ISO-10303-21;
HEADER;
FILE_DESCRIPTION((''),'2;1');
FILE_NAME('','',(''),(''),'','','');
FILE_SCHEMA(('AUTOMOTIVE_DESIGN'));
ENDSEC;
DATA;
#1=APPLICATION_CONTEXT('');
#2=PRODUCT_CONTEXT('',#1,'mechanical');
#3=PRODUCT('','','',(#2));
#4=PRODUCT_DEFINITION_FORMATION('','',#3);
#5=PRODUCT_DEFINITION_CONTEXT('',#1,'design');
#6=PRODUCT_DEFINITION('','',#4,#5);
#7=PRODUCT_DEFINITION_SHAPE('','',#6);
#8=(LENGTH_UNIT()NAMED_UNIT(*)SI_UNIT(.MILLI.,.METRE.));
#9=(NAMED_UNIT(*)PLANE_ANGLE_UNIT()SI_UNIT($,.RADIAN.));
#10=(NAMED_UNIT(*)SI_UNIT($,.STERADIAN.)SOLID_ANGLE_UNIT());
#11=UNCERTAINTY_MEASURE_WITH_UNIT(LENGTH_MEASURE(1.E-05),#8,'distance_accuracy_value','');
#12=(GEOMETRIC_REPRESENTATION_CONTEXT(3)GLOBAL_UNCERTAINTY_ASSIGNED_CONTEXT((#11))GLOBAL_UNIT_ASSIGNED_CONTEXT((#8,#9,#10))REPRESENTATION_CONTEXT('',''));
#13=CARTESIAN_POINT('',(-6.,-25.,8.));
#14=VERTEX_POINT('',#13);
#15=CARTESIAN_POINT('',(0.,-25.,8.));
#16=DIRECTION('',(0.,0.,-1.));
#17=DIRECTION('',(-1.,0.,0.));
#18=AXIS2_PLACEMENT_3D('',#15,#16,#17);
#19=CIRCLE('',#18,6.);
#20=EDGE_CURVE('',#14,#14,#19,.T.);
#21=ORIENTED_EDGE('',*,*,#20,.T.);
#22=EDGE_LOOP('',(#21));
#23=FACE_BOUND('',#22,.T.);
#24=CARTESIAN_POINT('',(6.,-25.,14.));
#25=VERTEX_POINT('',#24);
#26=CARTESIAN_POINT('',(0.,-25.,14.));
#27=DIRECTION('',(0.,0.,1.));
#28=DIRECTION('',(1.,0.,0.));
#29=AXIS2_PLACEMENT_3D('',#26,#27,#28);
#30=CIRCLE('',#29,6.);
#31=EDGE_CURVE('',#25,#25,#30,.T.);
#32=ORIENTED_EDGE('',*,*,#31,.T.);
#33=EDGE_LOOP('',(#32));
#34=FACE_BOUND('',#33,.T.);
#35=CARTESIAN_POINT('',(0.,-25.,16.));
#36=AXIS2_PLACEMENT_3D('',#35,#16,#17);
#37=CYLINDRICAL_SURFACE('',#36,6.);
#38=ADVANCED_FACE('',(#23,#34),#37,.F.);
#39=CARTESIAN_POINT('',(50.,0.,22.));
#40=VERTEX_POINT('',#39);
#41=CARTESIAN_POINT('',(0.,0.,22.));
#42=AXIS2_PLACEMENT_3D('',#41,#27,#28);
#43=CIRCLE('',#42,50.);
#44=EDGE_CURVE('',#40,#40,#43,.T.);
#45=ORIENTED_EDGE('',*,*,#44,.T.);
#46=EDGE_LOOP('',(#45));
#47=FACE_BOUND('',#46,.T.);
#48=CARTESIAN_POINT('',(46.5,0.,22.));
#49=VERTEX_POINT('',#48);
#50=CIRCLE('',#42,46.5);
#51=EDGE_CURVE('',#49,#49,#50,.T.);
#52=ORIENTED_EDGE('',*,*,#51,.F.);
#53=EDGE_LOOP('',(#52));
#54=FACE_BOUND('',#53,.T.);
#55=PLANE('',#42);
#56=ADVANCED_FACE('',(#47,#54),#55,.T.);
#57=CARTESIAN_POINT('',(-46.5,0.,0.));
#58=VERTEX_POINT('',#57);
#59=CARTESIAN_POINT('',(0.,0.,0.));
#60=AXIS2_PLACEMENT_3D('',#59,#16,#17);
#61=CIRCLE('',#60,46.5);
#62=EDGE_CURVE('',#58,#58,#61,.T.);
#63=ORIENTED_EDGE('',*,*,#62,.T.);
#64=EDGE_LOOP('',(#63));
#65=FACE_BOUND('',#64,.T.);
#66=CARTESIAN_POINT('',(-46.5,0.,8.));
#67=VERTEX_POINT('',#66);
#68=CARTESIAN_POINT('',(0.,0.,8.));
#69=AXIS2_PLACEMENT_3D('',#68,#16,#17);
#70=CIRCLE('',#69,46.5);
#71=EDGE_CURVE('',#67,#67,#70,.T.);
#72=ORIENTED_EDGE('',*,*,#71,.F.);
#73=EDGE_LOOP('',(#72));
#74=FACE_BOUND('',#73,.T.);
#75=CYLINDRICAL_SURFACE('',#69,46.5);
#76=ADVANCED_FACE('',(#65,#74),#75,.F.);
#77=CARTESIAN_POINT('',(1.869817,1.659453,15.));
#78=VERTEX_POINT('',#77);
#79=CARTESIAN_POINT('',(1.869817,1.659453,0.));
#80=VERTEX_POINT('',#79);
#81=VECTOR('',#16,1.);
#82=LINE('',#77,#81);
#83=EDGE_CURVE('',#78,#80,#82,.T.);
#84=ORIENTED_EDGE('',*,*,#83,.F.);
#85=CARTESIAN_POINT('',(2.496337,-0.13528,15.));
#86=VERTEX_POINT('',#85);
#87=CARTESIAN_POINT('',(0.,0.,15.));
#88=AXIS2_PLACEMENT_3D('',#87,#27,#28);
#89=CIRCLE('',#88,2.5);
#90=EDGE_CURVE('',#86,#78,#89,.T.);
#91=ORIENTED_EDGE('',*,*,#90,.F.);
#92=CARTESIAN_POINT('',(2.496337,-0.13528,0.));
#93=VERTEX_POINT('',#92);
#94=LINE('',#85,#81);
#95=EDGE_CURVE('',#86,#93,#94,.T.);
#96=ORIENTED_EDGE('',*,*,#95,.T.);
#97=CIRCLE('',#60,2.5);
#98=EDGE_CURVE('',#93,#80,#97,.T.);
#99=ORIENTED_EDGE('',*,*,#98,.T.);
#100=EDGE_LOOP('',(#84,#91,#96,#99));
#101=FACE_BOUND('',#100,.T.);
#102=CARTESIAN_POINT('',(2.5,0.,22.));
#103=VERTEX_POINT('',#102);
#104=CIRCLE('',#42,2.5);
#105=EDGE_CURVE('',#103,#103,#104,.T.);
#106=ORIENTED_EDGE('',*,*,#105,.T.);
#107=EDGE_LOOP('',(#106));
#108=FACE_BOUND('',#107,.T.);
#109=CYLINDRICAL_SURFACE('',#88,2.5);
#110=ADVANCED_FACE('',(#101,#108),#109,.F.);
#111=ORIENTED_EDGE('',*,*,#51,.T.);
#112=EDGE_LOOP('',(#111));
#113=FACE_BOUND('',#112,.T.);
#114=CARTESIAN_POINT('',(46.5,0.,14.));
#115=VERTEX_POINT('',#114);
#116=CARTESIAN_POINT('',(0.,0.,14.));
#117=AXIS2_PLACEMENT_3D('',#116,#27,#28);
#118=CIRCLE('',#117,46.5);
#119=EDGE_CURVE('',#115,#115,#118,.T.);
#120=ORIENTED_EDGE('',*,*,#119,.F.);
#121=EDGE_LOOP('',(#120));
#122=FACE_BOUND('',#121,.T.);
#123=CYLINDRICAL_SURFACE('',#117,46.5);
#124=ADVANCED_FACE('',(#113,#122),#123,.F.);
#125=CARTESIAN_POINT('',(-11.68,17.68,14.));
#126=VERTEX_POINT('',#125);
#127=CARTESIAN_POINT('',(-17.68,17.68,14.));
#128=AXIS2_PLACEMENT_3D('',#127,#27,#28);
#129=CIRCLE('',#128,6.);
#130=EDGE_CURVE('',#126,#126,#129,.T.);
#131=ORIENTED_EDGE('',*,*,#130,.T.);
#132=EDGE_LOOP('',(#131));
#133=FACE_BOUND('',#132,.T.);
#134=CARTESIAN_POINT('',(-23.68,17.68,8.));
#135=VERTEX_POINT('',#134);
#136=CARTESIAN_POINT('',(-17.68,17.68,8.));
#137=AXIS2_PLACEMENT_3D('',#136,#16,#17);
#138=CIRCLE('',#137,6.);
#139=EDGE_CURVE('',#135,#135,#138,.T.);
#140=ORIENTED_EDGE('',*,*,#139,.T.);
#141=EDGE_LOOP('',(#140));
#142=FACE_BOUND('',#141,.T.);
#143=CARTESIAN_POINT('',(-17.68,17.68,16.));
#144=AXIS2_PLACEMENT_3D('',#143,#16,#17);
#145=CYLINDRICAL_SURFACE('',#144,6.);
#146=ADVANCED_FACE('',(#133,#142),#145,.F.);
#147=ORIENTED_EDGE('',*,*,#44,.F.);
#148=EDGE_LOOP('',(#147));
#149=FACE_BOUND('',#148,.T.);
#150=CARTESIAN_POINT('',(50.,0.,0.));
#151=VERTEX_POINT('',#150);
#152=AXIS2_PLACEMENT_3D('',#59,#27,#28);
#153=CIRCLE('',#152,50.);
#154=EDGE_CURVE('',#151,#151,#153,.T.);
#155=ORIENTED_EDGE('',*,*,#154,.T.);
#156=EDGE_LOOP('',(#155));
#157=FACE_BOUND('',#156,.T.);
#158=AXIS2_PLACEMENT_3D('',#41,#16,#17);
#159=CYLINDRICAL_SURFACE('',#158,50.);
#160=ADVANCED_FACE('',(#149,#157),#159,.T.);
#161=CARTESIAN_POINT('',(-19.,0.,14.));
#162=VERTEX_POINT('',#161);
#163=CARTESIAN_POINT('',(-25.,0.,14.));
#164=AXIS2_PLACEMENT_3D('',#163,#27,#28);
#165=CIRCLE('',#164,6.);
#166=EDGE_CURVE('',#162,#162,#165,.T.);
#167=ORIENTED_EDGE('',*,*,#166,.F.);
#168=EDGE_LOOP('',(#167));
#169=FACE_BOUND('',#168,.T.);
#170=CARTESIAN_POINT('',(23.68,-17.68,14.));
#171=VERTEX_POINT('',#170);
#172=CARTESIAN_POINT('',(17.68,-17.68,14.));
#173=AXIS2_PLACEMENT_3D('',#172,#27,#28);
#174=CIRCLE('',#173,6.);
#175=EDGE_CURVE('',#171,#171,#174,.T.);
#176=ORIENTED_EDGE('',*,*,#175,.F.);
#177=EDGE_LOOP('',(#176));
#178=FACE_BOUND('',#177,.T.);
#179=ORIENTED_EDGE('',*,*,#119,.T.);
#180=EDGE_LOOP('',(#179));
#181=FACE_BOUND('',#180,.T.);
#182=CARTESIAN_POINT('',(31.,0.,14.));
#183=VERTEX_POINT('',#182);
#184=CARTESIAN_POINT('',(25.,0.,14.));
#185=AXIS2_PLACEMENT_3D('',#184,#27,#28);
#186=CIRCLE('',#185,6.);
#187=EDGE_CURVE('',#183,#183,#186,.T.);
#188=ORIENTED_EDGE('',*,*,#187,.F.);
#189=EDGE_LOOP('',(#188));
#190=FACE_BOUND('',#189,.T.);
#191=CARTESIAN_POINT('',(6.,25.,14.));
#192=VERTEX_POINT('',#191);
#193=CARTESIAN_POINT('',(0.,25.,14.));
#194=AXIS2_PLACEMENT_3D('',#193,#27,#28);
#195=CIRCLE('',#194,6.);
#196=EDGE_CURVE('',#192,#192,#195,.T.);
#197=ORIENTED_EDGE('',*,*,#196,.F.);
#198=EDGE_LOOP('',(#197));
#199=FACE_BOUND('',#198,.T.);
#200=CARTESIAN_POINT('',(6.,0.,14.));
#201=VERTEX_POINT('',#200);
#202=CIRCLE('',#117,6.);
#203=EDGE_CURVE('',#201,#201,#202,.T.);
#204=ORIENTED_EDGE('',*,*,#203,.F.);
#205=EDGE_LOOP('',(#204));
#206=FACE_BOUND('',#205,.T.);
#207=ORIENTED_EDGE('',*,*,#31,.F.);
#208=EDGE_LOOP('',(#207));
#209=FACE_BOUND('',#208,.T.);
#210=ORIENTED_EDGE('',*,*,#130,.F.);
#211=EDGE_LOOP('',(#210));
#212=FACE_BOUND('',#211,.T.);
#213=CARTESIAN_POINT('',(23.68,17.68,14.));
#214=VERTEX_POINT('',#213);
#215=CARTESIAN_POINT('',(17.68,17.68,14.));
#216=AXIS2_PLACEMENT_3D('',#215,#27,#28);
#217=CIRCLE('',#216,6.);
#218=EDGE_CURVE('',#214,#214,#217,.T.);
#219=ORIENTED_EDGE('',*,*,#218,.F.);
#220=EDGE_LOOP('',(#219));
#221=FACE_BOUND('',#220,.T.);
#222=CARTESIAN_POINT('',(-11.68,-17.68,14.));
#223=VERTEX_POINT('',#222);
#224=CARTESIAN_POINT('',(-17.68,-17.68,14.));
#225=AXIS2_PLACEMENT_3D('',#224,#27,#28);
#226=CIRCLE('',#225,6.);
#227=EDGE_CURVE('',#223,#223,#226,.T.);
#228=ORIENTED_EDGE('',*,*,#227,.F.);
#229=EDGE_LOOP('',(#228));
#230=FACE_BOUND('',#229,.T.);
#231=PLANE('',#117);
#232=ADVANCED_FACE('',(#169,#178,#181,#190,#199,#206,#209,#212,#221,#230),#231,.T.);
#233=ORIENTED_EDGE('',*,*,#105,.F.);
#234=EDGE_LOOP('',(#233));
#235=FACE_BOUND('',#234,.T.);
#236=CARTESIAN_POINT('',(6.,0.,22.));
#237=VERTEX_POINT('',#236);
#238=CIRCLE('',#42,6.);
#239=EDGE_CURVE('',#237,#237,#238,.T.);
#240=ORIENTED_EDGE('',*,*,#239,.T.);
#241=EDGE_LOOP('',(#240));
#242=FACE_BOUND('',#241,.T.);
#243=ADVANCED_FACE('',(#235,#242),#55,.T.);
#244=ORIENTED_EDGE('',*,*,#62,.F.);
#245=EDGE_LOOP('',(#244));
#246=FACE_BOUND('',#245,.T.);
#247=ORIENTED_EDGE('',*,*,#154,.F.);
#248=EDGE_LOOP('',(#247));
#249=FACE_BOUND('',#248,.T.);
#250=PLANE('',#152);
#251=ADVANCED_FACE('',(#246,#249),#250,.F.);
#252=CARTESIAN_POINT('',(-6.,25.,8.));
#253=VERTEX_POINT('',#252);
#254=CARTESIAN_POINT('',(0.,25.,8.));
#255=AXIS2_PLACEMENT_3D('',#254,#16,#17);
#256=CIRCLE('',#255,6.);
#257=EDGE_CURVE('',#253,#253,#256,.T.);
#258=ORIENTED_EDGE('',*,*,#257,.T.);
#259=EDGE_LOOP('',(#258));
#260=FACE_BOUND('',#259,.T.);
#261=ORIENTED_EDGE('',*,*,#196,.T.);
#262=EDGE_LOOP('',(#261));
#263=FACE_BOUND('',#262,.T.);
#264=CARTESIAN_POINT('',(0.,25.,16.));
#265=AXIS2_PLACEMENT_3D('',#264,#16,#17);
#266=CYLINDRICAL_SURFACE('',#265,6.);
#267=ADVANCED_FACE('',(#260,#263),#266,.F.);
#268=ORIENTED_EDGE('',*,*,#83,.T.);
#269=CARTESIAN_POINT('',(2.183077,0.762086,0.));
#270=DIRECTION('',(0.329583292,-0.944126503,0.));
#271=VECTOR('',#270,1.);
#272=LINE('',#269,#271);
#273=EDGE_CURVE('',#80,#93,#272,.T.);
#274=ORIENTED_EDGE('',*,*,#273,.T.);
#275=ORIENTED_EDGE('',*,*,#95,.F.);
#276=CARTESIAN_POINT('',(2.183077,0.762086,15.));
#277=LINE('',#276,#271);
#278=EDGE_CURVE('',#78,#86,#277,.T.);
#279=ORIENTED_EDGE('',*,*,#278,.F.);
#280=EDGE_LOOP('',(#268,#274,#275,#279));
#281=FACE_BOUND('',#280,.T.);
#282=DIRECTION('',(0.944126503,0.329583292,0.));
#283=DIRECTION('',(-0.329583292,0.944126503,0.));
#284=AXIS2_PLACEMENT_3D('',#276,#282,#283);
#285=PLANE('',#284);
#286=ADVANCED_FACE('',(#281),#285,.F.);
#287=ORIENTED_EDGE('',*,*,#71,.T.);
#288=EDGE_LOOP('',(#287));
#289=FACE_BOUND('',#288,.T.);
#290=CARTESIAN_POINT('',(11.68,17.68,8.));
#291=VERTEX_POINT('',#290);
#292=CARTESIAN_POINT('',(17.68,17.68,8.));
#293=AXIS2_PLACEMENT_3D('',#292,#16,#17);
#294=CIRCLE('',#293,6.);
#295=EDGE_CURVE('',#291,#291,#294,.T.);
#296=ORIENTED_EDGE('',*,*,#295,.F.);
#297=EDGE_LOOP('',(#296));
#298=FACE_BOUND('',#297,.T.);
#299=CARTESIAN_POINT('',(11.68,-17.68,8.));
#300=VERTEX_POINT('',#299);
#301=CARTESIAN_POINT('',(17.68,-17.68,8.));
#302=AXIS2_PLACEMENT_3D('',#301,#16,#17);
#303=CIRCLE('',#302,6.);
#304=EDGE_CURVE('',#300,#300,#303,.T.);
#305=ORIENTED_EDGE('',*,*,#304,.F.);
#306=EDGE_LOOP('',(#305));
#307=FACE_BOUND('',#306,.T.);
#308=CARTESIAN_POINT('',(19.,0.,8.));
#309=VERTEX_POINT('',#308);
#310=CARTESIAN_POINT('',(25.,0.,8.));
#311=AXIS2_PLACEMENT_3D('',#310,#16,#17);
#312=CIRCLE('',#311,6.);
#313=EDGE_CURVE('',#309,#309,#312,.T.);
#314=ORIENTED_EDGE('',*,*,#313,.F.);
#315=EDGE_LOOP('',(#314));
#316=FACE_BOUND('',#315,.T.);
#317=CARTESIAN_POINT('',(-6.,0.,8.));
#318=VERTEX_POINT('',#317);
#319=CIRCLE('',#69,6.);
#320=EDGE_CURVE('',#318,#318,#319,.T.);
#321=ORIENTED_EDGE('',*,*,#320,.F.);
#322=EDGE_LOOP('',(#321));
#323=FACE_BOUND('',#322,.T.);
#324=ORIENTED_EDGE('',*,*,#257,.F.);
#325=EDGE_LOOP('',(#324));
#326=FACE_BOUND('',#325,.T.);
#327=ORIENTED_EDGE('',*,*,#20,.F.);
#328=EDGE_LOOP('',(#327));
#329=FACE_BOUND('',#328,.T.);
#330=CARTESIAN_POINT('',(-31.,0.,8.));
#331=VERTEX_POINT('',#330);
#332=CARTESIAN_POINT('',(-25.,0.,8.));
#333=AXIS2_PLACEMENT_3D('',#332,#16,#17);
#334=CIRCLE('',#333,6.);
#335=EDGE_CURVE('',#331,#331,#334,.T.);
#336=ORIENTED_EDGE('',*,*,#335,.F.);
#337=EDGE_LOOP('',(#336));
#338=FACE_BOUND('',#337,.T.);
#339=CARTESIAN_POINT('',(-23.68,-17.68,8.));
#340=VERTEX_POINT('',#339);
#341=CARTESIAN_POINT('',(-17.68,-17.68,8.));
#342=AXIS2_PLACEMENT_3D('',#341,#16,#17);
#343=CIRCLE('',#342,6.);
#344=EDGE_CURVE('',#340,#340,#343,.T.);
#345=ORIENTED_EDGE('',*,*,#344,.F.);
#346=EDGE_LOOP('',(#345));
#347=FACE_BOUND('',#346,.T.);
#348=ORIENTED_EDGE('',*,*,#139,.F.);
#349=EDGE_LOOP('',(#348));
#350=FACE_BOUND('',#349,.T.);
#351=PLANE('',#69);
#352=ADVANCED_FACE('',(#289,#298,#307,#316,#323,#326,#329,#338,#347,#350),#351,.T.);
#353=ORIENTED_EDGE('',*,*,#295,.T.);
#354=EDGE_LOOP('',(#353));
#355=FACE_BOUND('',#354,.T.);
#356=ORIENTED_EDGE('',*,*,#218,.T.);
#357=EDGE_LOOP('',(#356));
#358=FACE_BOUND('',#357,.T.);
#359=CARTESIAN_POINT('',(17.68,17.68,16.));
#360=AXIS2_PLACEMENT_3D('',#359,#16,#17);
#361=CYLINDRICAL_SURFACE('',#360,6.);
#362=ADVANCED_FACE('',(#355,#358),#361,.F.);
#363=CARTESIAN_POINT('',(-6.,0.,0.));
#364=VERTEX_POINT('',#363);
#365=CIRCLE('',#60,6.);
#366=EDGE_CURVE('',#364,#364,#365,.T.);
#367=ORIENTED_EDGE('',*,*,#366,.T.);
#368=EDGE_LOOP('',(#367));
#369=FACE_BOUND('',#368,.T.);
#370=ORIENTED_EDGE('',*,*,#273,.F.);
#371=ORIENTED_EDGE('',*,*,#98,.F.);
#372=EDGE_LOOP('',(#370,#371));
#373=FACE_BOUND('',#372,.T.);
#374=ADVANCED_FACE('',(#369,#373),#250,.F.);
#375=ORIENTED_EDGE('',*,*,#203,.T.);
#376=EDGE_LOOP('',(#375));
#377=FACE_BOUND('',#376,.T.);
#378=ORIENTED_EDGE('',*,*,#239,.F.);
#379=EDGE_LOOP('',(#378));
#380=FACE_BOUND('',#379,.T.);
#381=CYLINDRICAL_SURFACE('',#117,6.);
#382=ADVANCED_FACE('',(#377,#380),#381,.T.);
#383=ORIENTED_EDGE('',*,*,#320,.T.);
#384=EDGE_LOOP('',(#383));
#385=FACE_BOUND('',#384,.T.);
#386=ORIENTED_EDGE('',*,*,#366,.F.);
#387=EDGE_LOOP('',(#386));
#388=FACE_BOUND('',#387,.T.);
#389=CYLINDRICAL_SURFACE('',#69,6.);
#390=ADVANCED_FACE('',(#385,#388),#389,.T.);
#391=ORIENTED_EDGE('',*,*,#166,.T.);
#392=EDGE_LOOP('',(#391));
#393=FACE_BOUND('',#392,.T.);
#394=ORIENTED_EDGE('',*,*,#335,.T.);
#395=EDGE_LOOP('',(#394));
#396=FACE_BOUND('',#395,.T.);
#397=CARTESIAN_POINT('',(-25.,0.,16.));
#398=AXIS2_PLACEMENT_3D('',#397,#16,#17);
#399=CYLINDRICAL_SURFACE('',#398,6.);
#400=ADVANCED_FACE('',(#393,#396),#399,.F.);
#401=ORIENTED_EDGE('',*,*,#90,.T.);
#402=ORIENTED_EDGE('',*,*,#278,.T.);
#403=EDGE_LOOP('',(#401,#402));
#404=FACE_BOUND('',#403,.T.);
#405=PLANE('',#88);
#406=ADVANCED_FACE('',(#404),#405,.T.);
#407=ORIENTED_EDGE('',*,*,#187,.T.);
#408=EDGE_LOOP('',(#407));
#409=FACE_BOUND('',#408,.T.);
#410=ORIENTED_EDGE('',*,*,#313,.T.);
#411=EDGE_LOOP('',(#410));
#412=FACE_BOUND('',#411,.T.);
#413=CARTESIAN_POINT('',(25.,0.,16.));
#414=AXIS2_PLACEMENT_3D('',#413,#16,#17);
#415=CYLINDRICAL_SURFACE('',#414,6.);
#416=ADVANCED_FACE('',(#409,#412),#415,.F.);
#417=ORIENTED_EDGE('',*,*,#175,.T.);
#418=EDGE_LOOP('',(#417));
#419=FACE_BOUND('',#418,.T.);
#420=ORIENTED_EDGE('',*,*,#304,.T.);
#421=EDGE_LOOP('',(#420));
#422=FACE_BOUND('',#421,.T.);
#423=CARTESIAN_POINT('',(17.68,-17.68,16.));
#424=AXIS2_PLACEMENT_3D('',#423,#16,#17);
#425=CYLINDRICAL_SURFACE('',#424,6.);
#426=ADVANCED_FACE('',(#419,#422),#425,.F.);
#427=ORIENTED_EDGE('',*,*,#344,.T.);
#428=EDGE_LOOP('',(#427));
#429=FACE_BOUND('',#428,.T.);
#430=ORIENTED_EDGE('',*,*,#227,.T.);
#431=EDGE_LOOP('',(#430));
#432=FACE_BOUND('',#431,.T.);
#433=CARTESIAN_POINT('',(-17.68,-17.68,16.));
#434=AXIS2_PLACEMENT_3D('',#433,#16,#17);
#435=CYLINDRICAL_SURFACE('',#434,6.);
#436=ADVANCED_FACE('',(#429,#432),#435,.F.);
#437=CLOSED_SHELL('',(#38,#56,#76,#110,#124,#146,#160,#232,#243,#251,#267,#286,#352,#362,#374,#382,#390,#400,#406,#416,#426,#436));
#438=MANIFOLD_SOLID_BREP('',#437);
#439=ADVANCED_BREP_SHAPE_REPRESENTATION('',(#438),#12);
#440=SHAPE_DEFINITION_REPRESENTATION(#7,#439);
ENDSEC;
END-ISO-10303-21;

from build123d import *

# Parameters (mm, degrees)
ESQUISSE1_R              = 50
BOSS_EXTRU_1_DEPTH       = 22
ESQUISSE2_R              = 2.5
ENL_V_MAT_EXTRU_1_DEPTH  = 7
ENL_V_START              = -15
ENL_V_MAT_EXTRU_2_DEPTH  = 15
ESQUISSE5_R              = 46.5
ESQUISSE5_R_2            = 6
ENL_V_MAT_EXTRU_3_DEPTH  = 8
ENL_V_START_2            = -8
ESQUISSE7_R              = 46.5
ESQUISSE7_R_2            = 6
ENL_V_MAT_EXTRU_4_DEPTH  = 8
ESQUISSE8_R              = 6
ENL_V_MAT_EXTRU_5_DEPTH  = 8
ESQUISSE9_R              = 6
ENL_V_MAT_EXTRU_6_DEPTH  = 8
ESQUISSE10_R             = 6
ENL_V_MAT_EXTRU_7_DEPTH  = 8
ESQUISSE11_R             = 6
ENL_V_MAT_EXTRU_8_DEPTH  = 8
ESQUISSE12_R             = 6
ENL_V_MAT_EXTRU_10_DEPTH = 8
ESQUISSE13_R             = 6
ENL_V_MAT_EXTRU_11_DEPTH = 8
ESQUISSE14_R             = 6
ENL_V_MAT_EXTRU_12_DEPTH = 8
ESQUISSE15_R             = 6
ENL_V_MAT_EXTRU_13_DEPTH = 8


with BuildPart() as part:
    # Esquisse1 → Boss.-Extru.1 (new body)
    with BuildSketch(Plane.XY):
        Circle(ESQUISSE1_R)
    extrude(amount=BOSS_EXTRU_1_DEPTH)

    # Esquisse2 → Enlèv. mat.-Extru.1 (cut)
    with BuildSketch(Plane.XY.offset(22)):
        Circle(ESQUISSE2_R)
    extrude(amount=-ENL_V_MAT_EXTRU_1_DEPTH, mode=Mode.SUBTRACT)

    # Esquisse4 → Enlèv. mat.-Extru.2 (cut)
    with BuildSketch(Plane(origin=(0, 0, 0), x_dir=(-1, 0, 0), z_dir=(0, 0, -1)).offset(ENL_V_START)):
        with BuildLine():
            ThreePointArc((2.5, 0), (0.887540635, 2.337150321), (-1.869817297, 1.659452704))
            Line((-1.869817297, 1.659452704), (-2.496337165, -0.135280301))
            ThreePointArc((-2.496337165, -0.135280301), (0.06766494, -2.499084123), (2.5, 0))
        make_face()
    extrude(amount=ENL_V_MAT_EXTRU_2_DEPTH, mode=Mode.SUBTRACT)

    # Esquisse5 → Enlèv. mat.-Extru.3 (cut)
    with BuildSketch(Plane(origin=(0, 0, 0), x_dir=(-1, 0, 0), z_dir=(0, 0, -1))):
        Circle(ESQUISSE5_R)
        Circle(ESQUISSE5_R_2, mode=Mode.SUBTRACT)
    extrude(amount=-ENL_V_MAT_EXTRU_3_DEPTH, mode=Mode.SUBTRACT)

    # Esquisse7 → Enlèv. mat.-Extru.4 (cut)
    with BuildSketch(Plane.XY.offset(22).offset(ENL_V_START_2)):
        with Locations(Location((0, 0, 0), (0, 0, 180))):
            Circle(ESQUISSE7_R)
        with Locations(Location((0, 0, 0), (0, 0, 180))):
            Circle(ESQUISSE7_R_2, mode=Mode.SUBTRACT)
    extrude(amount=ENL_V_MAT_EXTRU_4_DEPTH, mode=Mode.SUBTRACT)

    # Esquisse8 → Enlèv. mat.-Extru.5 (cut)
    with BuildSketch(Plane(origin=(0, 0, 8), x_dir=(-1, 0, 0), z_dir=(0, 0, -1))):
        with Locations((-25, 0)):
            Circle(ESQUISSE8_R)
    extrude(amount=-ENL_V_MAT_EXTRU_5_DEPTH, mode=Mode.SUBTRACT)

    # Esquisse9 → Enlèv. mat.-Extru.6 (cut)
    with BuildSketch(Plane(origin=(0, 0, 8), x_dir=(-1, 0, 0), z_dir=(0, 0, -1))):
        with Locations((0, 25)):
            Circle(ESQUISSE9_R)
    extrude(amount=-ENL_V_MAT_EXTRU_6_DEPTH, mode=Mode.SUBTRACT)

    # Esquisse10 → Enlèv. mat.-Extru.7 (cut)
    with BuildSketch(Plane(origin=(0, 0, 8), x_dir=(-1, 0, 0), z_dir=(0, 0, -1))):
        with Locations((25, 0)):
            Circle(ESQUISSE10_R)
    extrude(amount=-ENL_V_MAT_EXTRU_7_DEPTH, mode=Mode.SUBTRACT)

    # Esquisse11 → Enlèv. mat.-Extru.8 (cut)
    with BuildSketch(Plane(origin=(0, 0, 8), x_dir=(-1, 0, 0), z_dir=(0, 0, -1))):
        with Locations((0, -25)):
            Circle(ESQUISSE11_R)
    extrude(amount=-ENL_V_MAT_EXTRU_8_DEPTH, mode=Mode.SUBTRACT)

    # Esquisse12 → Enlèv. mat.-Extru.10 (cut)
    with BuildSketch(Plane(origin=(0, 0, 8), x_dir=(-1, 0, 0), z_dir=(0, 0, -1))):
        with Locations((-17.68, 17.68)):
            Circle(ESQUISSE12_R)
    extrude(amount=-ENL_V_MAT_EXTRU_10_DEPTH, mode=Mode.SUBTRACT)

    # Esquisse13 → Enlèv. mat.-Extru.11 (cut)
    with BuildSketch(Plane(origin=(0, 0, 8), x_dir=(-1, 0, 0), z_dir=(0, 0, -1))):
        with Locations((17.68, 17.68)):
            Circle(ESQUISSE13_R)
    extrude(amount=-ENL_V_MAT_EXTRU_11_DEPTH, mode=Mode.SUBTRACT)

    # Esquisse14 → Enlèv. mat.-Extru.12 (cut)
    with BuildSketch(Plane(origin=(0, 0, 8), x_dir=(-1, 0, 0), z_dir=(0, 0, -1))):
        with Locations((-17.68, -17.68)):
            Circle(ESQUISSE14_R)
    extrude(amount=-ENL_V_MAT_EXTRU_12_DEPTH, mode=Mode.SUBTRACT)

    # Esquisse15 → Enlèv. mat.-Extru.13 (cut)
    with BuildSketch(Plane(origin=(0, 0, 8), x_dir=(-1, 0, 0), z_dir=(0, 0, -1))):
        with Locations((17.68, -17.68)):
            Circle(ESQUISSE15_R)
    extrude(amount=-ENL_V_MAT_EXTRU_13_DEPTH, mode=Mode.SUBTRACT)


solid = part.part
